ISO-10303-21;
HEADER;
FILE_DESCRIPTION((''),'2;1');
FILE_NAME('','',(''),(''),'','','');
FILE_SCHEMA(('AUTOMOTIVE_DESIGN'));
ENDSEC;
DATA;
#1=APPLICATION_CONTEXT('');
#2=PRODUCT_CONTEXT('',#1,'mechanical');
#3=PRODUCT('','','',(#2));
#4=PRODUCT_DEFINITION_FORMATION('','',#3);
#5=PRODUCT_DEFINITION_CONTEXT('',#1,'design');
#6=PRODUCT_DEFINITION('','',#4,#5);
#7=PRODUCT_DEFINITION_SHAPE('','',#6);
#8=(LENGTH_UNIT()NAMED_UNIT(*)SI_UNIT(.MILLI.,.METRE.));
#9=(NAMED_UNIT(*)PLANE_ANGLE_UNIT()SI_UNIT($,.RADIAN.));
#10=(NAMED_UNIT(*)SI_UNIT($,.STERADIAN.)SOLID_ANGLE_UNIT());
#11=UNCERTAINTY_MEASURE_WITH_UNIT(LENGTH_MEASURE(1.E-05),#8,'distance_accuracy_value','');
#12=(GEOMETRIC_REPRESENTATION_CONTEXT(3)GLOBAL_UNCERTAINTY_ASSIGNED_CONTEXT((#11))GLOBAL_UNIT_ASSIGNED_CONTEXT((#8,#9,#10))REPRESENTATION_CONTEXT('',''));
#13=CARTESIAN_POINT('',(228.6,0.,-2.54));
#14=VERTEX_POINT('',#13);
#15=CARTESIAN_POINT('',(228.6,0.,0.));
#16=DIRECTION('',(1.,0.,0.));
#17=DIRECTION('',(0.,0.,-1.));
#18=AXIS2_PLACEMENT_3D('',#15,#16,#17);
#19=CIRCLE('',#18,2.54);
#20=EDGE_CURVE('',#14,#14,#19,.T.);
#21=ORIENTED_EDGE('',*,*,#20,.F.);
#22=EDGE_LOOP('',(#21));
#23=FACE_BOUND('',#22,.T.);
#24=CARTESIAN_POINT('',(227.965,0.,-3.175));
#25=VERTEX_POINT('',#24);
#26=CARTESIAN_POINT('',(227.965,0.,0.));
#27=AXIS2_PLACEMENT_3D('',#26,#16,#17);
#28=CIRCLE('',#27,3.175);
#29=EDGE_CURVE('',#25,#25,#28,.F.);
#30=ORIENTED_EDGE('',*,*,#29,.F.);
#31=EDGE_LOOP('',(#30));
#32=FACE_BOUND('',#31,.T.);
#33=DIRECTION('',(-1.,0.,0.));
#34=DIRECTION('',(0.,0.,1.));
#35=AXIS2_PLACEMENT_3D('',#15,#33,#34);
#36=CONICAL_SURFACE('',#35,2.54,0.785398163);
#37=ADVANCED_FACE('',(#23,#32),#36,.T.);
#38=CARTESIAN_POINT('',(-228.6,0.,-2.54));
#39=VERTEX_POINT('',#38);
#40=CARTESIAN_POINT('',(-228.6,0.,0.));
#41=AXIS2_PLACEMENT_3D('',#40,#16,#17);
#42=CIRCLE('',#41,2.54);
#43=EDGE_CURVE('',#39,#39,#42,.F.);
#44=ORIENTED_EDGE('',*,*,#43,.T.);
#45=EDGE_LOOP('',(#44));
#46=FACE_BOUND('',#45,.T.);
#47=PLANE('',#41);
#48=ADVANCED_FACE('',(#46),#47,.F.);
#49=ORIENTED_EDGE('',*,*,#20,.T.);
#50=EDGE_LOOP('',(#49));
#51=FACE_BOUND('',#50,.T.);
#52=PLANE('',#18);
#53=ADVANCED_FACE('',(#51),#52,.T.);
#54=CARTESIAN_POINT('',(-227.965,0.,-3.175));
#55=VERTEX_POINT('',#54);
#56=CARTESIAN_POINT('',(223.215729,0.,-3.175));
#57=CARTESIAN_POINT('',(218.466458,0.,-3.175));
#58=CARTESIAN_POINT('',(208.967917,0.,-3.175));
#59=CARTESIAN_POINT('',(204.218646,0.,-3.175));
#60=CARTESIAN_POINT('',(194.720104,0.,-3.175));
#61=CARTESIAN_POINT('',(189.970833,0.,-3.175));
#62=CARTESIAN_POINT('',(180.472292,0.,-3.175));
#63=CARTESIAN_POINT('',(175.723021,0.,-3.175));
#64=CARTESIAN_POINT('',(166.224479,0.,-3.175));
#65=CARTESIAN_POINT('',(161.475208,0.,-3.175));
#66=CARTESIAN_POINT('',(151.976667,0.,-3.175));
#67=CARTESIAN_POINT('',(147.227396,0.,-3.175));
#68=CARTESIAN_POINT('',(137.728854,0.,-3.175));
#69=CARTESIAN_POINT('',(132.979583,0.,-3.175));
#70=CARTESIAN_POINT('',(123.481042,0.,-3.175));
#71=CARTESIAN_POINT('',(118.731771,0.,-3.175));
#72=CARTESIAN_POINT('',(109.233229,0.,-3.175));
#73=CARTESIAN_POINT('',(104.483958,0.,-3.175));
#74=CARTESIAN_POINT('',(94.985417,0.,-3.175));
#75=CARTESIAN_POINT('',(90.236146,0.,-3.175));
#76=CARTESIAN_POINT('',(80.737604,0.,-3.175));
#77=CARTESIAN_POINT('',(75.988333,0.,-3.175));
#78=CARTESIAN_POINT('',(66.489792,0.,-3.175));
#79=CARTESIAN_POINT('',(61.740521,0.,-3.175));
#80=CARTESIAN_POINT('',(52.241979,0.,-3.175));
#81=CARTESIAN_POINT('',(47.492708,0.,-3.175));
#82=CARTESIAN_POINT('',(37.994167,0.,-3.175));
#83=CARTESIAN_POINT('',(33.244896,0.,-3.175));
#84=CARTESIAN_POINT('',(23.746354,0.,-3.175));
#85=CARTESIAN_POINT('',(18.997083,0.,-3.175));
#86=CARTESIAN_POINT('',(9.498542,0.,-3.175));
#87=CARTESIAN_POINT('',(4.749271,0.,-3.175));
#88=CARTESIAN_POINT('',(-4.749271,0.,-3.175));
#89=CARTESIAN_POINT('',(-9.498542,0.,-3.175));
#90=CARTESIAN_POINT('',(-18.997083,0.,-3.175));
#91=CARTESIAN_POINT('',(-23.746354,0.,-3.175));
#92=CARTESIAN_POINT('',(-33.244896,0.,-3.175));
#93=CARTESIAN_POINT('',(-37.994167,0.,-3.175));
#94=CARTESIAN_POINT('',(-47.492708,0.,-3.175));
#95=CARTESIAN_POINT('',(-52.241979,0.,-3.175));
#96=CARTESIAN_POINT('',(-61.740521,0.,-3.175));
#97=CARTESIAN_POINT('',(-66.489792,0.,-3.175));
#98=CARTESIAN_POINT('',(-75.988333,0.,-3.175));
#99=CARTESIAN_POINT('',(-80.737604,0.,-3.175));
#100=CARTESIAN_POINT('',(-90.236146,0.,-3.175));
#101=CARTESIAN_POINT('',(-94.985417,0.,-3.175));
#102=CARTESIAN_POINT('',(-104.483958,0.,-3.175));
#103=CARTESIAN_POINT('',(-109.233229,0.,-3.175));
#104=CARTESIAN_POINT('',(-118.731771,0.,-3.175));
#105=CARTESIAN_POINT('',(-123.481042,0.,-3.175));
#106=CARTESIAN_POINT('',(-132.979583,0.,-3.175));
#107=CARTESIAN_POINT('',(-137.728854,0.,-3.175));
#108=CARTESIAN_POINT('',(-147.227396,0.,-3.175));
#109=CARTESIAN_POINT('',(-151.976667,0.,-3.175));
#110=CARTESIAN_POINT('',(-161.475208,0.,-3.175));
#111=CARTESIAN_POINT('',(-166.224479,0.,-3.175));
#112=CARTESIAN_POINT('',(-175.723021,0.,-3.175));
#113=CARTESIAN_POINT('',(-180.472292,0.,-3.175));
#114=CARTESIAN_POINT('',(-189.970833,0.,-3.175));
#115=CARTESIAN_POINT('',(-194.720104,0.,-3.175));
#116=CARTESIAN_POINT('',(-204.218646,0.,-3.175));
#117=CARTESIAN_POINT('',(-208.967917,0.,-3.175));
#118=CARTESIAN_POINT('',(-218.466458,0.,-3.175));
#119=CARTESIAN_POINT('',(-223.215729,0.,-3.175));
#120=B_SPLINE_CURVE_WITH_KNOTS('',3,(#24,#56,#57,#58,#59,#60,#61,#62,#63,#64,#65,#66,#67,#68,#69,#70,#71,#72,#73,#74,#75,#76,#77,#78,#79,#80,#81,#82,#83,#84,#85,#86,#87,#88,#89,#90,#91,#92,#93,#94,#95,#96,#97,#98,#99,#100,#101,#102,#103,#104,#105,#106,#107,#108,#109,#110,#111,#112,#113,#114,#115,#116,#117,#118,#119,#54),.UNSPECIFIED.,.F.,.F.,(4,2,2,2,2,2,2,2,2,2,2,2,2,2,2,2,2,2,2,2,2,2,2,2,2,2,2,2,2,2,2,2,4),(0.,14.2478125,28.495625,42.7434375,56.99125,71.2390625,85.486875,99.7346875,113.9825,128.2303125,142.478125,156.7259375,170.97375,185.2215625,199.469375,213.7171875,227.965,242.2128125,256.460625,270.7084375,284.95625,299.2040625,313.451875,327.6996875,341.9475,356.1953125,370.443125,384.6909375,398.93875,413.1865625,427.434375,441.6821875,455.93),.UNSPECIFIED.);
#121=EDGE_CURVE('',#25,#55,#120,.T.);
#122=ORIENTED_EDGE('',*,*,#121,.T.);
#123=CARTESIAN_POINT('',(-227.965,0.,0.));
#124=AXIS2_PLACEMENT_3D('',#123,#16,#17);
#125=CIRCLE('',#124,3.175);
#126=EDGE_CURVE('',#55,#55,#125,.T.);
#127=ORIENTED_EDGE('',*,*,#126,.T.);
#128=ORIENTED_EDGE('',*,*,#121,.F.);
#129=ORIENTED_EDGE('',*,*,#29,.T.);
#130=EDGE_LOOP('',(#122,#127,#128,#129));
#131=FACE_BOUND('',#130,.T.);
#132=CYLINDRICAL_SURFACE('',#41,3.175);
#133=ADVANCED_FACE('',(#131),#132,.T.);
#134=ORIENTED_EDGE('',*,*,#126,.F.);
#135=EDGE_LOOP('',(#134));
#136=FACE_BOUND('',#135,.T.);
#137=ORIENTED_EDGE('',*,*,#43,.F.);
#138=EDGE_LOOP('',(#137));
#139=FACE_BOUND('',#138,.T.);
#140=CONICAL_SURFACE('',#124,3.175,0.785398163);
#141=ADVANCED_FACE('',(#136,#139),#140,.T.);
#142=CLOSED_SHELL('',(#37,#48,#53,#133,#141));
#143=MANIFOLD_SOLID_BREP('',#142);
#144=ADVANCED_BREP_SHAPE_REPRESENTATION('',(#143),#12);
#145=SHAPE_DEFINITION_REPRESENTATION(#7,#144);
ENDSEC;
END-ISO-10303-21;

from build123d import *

# Parameters (mm, degrees)
EXTRUDE1_DEPTH      = 228.6
EXTRUDE1_DEPTH_BACK = 228.6
SKETCH2_R           = 3.175
CHAMFER1_SIZE       = 0.635


with BuildPart() as part:
    # Sketch2 → Extrude1 (new, two sides: drawn at the far end of the back side and taken through both)
    with BuildSketch(Plane(origin=(0, 0, 0), x_dir=(0, 0, -1), z_dir=(1, 0, 0)).offset(-EXTRUDE1_DEPTH_BACK)):
        Circle(SKETCH2_R)
    extrude(amount=EXTRUDE1_DEPTH + EXTRUDE1_DEPTH_BACK)

    # Chamfer1
    chamfer1_edges = [part.edges().sort_by_distance(p)[0] for p in [
        (-228.6, 0, 3.175),
        (228.6, 0, 3.175),
    ]]
    chamfer(chamfer1_edges, length=CHAMFER1_SIZE)


solid = part.part
